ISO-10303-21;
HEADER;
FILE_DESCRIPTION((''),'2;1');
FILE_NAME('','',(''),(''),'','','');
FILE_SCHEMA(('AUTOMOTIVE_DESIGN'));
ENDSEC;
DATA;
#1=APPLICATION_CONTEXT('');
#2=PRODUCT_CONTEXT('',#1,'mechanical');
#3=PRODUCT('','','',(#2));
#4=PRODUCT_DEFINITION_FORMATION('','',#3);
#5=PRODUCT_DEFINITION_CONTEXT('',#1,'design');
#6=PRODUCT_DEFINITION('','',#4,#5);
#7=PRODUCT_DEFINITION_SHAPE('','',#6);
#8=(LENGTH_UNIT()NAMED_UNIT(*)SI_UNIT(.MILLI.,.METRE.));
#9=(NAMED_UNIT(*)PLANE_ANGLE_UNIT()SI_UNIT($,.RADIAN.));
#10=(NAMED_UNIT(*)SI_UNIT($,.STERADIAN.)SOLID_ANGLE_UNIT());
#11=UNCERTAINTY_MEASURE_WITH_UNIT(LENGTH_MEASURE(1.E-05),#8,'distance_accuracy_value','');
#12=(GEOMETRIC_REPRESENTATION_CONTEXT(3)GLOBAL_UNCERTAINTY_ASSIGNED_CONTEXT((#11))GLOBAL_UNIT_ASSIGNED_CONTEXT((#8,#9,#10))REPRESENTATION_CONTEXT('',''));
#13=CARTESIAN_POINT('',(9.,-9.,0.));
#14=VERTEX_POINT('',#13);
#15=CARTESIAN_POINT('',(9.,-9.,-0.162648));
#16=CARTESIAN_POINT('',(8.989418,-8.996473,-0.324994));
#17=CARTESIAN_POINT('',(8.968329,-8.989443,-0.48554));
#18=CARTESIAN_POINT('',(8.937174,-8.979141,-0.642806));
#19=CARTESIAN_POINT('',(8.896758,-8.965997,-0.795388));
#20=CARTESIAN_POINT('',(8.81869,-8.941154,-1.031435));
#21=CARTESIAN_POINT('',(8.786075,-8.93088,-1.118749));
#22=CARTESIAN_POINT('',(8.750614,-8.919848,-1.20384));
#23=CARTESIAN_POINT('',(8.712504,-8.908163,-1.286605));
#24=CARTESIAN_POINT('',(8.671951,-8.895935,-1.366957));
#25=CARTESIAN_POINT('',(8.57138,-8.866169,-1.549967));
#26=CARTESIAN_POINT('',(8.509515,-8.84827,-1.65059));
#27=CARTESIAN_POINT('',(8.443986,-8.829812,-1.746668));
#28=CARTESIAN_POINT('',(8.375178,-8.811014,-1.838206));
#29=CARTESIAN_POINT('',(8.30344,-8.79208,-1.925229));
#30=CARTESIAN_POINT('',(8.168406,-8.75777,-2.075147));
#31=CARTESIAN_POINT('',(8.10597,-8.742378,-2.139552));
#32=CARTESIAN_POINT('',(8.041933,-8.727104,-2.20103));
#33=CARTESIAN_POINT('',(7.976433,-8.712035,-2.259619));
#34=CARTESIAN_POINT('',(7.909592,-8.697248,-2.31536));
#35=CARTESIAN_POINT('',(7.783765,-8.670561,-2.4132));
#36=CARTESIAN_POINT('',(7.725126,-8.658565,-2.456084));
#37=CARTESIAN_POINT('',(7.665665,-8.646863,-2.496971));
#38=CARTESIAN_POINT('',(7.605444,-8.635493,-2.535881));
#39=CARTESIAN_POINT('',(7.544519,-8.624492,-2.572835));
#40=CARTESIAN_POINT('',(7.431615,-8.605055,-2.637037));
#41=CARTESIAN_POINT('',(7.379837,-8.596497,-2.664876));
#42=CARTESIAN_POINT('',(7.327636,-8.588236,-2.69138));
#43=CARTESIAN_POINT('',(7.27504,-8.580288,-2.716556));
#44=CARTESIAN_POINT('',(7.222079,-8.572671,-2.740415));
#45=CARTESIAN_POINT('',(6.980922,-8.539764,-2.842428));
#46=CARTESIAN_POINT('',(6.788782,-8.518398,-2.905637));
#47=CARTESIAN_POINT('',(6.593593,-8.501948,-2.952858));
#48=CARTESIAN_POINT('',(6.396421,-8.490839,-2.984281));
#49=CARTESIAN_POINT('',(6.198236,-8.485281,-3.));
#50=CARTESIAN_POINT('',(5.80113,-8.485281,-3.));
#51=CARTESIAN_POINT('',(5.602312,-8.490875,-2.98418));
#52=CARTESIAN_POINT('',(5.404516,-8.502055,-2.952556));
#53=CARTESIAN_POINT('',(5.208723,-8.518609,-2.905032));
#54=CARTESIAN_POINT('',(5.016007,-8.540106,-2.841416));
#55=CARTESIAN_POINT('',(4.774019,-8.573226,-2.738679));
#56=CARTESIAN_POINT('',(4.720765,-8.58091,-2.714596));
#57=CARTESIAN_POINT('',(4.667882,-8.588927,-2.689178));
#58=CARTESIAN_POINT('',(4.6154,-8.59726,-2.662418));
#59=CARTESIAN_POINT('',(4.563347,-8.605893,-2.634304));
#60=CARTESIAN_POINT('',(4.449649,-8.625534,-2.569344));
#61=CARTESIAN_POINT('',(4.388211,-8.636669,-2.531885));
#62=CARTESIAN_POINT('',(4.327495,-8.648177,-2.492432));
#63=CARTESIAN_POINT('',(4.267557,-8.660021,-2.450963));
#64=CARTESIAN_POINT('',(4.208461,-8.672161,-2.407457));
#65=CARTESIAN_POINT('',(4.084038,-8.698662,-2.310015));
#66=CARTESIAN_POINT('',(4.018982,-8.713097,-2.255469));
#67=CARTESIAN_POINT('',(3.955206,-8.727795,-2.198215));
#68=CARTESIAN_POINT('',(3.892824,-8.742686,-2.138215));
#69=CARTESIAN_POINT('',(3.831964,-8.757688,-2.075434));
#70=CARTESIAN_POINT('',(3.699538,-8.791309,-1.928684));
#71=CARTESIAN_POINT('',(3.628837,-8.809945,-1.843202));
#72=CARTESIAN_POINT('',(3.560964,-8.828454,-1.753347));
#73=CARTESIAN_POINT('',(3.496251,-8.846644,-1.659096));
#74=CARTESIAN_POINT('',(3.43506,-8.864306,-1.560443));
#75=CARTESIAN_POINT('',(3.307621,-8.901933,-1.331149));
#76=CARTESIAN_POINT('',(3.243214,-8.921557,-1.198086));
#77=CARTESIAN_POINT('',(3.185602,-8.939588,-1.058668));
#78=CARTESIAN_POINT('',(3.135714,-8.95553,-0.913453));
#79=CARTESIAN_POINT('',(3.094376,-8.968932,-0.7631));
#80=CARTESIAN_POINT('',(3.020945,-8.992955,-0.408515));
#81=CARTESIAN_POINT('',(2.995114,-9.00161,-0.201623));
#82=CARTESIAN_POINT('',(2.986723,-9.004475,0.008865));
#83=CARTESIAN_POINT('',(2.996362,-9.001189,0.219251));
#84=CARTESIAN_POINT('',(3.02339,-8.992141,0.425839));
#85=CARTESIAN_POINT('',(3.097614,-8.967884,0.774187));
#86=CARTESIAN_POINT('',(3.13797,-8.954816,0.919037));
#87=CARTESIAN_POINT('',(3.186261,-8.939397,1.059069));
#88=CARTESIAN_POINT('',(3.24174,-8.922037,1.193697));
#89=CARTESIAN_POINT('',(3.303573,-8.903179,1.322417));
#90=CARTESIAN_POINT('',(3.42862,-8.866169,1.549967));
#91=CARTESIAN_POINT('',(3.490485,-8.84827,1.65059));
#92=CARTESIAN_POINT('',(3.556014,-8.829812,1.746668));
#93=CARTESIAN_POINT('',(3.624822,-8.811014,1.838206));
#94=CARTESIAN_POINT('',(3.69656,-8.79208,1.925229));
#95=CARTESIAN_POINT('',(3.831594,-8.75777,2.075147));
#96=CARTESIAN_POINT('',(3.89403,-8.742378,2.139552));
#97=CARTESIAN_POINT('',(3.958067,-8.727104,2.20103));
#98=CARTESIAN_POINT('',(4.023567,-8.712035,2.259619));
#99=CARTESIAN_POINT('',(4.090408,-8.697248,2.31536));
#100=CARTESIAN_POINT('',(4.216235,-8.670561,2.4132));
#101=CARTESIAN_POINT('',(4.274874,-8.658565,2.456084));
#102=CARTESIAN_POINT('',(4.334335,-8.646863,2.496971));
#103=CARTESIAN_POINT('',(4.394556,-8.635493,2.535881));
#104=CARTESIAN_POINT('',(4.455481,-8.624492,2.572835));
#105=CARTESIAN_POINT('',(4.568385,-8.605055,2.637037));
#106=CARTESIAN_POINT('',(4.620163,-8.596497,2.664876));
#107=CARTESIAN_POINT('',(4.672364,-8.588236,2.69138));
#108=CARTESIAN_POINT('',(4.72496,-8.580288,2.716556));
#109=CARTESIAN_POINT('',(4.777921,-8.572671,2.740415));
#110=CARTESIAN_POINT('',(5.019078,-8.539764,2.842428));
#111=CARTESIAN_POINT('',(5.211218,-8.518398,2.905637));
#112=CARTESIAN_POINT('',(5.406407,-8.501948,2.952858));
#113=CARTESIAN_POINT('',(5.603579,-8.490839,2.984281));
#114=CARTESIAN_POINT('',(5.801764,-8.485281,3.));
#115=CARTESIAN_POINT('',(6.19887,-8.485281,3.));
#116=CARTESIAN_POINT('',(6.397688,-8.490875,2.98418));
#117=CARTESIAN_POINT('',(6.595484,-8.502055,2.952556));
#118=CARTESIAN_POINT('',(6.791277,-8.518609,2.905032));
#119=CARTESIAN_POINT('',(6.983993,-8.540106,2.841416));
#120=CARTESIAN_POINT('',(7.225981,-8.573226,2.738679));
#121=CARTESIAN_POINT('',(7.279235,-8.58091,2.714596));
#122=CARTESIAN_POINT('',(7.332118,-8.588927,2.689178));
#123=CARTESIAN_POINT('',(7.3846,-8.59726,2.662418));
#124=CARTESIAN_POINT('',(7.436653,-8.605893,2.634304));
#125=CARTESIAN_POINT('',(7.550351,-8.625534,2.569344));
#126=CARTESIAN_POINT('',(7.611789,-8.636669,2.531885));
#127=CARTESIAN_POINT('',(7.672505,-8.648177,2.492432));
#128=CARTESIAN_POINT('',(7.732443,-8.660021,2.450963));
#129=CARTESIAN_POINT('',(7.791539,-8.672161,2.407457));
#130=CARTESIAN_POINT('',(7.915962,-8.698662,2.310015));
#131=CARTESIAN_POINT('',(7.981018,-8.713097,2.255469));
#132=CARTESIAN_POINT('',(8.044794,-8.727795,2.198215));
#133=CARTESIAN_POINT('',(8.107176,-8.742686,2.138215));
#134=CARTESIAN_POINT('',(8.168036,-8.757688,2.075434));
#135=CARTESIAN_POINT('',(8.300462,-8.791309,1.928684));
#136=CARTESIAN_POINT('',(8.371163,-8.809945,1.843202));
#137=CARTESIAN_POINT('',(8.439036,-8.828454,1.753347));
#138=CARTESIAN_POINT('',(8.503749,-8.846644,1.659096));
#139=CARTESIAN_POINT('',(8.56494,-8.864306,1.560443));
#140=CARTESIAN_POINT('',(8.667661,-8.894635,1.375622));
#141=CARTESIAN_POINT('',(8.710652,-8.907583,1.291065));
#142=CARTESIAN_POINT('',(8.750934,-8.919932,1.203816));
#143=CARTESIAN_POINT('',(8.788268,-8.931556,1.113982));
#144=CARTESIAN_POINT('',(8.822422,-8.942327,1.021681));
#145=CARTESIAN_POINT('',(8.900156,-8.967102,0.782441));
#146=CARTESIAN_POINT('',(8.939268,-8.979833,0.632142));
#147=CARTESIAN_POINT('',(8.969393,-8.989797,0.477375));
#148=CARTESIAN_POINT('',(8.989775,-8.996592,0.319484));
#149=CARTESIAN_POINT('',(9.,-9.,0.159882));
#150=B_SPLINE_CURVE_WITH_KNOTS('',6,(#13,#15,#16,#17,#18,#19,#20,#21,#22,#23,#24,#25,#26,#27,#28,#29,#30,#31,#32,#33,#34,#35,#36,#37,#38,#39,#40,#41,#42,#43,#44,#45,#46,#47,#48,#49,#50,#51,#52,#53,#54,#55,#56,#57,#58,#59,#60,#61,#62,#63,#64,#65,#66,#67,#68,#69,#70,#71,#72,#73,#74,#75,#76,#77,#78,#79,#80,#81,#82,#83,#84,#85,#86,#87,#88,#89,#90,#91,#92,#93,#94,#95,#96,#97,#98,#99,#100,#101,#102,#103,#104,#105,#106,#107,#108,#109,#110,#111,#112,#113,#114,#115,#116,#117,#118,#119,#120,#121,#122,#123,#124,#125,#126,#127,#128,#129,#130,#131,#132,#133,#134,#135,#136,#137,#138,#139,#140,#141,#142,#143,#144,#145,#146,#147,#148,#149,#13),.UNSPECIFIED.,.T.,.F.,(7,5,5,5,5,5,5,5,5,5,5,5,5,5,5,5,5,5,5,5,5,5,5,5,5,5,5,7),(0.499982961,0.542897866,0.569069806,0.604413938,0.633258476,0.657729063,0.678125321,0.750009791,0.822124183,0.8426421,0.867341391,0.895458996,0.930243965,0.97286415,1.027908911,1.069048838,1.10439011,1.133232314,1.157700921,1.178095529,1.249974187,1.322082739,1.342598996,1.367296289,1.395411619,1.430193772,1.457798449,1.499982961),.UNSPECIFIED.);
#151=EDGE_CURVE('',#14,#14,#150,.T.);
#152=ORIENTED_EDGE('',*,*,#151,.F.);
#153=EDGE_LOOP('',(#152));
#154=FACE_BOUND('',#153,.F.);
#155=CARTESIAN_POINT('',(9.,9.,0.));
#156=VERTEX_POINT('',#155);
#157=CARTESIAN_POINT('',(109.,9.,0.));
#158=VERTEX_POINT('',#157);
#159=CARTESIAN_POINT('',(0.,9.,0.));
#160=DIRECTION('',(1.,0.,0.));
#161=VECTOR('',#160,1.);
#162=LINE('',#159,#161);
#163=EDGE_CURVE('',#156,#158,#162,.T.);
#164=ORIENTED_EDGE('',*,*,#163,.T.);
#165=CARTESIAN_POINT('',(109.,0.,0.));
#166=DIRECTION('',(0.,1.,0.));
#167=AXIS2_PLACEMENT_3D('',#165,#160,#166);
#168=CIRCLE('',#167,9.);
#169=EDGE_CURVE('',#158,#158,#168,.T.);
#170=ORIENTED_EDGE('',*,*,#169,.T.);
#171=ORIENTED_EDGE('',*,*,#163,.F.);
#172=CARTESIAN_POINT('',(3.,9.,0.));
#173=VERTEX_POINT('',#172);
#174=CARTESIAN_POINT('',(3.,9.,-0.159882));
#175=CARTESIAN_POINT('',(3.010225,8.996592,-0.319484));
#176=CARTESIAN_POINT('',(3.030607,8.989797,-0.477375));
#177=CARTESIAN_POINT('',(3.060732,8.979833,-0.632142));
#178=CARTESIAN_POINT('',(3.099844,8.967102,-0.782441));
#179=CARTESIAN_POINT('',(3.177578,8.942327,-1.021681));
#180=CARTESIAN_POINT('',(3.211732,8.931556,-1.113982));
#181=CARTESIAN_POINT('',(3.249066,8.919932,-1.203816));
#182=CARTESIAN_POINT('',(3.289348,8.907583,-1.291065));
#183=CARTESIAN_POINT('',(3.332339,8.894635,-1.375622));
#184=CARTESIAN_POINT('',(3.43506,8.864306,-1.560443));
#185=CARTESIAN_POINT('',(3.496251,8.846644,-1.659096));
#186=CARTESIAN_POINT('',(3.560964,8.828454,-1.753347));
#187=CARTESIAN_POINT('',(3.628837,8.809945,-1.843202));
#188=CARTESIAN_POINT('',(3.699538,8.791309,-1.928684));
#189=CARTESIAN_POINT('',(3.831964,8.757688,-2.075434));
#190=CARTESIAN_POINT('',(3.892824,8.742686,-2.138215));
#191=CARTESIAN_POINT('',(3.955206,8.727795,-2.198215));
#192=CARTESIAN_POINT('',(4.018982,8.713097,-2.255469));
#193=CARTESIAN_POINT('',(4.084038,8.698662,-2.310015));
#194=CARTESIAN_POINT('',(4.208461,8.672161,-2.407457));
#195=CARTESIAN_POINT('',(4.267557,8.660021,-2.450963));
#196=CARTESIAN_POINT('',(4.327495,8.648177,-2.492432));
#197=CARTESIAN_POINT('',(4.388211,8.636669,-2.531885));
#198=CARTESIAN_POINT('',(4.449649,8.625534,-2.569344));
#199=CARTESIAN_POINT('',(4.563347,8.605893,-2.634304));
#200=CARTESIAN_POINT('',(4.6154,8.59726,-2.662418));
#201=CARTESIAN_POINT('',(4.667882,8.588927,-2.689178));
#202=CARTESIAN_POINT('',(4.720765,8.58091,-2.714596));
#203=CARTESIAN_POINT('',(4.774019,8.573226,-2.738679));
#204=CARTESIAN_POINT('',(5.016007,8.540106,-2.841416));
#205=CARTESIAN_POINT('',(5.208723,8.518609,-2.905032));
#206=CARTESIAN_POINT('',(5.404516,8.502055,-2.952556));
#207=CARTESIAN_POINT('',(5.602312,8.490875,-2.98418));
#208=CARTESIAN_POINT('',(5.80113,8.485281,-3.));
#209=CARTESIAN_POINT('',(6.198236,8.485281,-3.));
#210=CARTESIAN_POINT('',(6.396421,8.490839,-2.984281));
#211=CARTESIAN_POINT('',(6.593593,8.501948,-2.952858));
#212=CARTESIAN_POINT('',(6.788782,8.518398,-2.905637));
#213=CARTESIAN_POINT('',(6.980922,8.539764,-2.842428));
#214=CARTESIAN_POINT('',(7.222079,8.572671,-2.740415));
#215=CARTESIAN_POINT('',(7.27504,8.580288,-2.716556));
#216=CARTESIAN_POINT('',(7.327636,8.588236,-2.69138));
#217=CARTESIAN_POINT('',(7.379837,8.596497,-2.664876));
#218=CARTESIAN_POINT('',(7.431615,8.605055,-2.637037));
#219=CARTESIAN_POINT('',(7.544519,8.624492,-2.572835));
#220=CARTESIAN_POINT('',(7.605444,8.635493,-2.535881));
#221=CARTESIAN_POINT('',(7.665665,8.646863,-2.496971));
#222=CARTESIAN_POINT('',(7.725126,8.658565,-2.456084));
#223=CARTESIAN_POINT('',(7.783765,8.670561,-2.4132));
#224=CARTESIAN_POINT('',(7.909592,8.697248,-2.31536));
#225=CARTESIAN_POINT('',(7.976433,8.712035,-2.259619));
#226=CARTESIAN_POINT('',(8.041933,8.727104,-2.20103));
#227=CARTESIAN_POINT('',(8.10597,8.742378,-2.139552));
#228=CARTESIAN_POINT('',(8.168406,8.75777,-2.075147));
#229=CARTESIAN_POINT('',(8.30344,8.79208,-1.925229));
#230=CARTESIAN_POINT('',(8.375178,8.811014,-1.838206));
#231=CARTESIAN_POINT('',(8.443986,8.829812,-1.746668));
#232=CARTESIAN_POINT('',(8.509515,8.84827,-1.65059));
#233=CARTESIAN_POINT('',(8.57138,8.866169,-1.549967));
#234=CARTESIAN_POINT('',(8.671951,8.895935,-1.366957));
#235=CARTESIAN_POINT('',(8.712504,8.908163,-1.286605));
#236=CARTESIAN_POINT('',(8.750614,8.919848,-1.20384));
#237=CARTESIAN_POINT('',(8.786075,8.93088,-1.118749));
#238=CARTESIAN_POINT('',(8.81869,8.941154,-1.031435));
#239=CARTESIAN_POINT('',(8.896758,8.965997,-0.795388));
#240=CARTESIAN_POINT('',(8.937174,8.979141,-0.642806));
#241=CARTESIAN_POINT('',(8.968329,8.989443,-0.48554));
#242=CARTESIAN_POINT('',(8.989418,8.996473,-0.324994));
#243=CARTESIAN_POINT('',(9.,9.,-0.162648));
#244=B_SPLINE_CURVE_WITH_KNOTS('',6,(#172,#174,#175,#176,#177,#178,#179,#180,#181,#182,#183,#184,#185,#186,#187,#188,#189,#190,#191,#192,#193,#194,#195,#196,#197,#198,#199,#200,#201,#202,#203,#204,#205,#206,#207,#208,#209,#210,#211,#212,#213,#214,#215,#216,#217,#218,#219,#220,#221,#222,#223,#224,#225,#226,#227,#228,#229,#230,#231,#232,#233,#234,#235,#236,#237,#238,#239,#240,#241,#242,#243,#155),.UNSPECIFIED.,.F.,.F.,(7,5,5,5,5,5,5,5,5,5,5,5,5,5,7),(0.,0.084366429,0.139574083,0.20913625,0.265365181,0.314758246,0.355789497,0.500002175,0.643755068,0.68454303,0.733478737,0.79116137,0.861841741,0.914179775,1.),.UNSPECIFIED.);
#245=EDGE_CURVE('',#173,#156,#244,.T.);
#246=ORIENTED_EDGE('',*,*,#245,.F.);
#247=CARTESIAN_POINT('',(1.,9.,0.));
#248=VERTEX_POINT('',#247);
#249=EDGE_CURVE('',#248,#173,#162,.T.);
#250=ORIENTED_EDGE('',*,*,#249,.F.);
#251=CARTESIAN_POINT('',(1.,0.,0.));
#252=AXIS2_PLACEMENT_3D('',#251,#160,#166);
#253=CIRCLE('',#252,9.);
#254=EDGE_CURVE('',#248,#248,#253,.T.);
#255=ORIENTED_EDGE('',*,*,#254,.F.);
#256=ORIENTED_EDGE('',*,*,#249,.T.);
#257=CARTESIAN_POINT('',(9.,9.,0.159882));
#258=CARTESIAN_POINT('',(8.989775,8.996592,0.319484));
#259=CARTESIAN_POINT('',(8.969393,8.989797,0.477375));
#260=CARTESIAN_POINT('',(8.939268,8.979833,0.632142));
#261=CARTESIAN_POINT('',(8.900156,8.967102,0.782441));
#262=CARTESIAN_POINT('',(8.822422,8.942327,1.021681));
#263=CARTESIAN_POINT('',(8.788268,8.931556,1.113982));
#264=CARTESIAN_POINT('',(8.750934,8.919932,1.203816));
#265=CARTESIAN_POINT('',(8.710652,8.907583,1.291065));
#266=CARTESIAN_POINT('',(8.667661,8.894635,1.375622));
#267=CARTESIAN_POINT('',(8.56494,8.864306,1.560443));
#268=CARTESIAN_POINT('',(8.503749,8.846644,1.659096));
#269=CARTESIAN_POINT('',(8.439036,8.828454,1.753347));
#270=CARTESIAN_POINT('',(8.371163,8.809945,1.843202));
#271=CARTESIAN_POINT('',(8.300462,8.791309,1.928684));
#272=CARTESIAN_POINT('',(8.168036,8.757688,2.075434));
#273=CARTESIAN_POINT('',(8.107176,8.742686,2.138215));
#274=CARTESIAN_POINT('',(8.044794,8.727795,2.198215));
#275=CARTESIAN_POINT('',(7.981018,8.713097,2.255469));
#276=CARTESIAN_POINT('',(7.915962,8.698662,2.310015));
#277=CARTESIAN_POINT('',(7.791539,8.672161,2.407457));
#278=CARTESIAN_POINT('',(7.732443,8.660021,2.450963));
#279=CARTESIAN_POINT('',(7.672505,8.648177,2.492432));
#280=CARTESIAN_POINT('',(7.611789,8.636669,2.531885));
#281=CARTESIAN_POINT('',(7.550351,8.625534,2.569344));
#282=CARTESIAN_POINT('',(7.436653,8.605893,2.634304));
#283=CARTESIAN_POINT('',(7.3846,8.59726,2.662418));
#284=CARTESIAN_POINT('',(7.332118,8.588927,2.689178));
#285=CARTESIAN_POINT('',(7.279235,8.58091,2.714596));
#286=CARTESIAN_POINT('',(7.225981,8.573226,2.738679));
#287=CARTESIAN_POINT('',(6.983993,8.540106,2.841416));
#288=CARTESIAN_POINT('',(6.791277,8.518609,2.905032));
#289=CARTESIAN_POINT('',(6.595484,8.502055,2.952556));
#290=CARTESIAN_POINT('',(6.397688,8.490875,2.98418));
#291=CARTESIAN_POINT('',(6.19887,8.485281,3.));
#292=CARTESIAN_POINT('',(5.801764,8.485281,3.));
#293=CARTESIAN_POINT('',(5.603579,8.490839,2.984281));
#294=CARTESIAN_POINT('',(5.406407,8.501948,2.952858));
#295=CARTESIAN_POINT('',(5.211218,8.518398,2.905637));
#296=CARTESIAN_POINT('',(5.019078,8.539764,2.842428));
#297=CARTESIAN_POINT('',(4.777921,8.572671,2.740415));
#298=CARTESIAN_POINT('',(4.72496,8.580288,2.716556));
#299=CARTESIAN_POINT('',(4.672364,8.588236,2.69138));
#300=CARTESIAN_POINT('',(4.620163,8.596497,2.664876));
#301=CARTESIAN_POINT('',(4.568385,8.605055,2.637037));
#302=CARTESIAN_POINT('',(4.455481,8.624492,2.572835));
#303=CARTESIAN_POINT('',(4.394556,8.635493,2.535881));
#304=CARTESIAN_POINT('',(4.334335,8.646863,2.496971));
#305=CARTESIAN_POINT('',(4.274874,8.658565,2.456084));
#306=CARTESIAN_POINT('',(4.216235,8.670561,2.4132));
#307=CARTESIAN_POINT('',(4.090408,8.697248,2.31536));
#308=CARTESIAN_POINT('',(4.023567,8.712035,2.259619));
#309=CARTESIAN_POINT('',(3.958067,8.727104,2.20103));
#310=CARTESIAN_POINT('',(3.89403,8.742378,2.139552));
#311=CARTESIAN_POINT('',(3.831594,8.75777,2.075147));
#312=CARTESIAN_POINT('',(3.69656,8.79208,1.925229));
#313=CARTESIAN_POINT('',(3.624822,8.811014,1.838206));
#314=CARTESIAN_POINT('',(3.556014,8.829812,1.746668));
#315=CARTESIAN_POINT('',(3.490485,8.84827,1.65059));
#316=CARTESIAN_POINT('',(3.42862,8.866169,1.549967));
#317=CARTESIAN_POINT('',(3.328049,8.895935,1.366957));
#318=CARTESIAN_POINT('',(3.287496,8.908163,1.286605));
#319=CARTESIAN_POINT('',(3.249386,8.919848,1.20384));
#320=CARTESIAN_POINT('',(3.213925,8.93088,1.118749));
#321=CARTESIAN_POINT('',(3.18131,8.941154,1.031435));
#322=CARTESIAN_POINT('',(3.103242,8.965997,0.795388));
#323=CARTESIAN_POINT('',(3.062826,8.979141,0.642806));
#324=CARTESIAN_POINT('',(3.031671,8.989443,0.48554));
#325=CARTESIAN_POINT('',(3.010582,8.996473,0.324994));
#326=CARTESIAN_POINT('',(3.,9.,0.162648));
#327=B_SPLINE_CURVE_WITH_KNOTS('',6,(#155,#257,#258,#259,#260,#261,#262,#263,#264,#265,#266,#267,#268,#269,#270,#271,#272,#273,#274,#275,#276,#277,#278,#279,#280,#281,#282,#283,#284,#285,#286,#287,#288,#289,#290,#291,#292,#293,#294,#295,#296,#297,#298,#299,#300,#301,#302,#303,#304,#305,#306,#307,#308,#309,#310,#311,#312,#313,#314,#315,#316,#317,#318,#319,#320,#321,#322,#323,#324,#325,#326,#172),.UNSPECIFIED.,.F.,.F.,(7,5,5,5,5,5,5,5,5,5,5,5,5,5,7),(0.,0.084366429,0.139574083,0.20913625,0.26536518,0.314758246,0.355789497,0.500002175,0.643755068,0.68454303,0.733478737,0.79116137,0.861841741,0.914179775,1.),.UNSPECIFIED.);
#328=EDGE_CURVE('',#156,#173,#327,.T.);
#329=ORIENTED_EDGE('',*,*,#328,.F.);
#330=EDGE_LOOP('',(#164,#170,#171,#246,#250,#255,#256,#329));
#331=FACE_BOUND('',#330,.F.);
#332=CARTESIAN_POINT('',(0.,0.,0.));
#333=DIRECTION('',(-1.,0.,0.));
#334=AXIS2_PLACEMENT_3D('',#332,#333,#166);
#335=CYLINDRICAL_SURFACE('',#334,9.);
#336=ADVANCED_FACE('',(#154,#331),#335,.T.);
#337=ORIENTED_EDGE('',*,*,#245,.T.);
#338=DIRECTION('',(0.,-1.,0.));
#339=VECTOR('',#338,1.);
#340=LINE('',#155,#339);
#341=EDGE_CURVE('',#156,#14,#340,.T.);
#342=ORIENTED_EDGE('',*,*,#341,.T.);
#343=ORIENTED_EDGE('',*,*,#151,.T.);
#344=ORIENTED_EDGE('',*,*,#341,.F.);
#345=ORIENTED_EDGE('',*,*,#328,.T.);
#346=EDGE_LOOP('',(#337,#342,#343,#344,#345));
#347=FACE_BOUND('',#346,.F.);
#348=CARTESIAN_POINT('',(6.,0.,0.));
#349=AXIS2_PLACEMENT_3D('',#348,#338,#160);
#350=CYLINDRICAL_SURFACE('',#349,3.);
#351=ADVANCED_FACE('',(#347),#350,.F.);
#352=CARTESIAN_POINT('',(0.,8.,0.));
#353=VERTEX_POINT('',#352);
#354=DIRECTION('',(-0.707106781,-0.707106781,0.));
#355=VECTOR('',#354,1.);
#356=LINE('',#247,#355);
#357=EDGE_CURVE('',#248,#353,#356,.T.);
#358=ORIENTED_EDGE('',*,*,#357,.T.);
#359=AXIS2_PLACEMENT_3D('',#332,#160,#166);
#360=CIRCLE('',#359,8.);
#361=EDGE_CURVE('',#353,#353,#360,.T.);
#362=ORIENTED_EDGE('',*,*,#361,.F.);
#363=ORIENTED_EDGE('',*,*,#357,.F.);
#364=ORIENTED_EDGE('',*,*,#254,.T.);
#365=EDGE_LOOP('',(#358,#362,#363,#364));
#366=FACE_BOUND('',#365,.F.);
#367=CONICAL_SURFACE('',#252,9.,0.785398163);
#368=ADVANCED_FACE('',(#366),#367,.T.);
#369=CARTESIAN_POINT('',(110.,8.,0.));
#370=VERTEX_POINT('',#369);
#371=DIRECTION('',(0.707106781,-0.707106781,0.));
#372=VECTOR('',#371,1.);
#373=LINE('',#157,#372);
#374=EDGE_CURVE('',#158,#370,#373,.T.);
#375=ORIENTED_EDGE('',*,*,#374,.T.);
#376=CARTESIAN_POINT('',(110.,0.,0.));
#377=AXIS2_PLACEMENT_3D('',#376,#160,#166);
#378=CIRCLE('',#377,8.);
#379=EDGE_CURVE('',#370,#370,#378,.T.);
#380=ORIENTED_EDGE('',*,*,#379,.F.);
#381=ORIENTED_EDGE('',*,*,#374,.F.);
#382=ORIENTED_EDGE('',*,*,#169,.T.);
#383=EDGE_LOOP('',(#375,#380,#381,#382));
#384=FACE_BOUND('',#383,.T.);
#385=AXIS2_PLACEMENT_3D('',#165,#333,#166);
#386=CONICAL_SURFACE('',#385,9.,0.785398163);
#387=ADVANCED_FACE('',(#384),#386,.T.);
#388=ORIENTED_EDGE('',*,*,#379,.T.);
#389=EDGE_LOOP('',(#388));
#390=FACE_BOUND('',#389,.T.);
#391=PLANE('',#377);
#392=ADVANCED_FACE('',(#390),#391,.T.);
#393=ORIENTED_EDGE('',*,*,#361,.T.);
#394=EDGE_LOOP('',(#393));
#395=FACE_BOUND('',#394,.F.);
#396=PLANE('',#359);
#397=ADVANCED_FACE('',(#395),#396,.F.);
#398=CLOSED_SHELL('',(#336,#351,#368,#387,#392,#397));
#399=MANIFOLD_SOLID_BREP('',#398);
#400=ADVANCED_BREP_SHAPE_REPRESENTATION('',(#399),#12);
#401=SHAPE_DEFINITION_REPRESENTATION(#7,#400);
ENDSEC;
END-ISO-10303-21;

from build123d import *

# Parameters (mm, degrees)
F0_R     = 9
F1_DEPTH = 110
F2_SIZE  = 1
F3_R     = 3
F4_DEPTH = 9


with BuildPart() as f1:
    # F0 (on Right) → F1 (new body)
    with BuildSketch(Plane.YZ):
        Circle(F0_R)
    extrude(amount=F1_DEPTH)

    # F2
    f2_edges = [f1.edges().sort_by_distance(p)[0] for p in [
        (110, -9, 0),
        (0, -9, 0),
    ]]
    chamfer(f2_edges, length=F2_SIZE)

    # F3 (on Front) → F4 (cut, symmetric)
    with BuildSketch(Plane.XZ):
        with Locations((6, 0)):
            Circle(F3_R)
    extrude(amount=F4_DEPTH, both=True, mode=Mode.SUBTRACT)


solid = f1.part
